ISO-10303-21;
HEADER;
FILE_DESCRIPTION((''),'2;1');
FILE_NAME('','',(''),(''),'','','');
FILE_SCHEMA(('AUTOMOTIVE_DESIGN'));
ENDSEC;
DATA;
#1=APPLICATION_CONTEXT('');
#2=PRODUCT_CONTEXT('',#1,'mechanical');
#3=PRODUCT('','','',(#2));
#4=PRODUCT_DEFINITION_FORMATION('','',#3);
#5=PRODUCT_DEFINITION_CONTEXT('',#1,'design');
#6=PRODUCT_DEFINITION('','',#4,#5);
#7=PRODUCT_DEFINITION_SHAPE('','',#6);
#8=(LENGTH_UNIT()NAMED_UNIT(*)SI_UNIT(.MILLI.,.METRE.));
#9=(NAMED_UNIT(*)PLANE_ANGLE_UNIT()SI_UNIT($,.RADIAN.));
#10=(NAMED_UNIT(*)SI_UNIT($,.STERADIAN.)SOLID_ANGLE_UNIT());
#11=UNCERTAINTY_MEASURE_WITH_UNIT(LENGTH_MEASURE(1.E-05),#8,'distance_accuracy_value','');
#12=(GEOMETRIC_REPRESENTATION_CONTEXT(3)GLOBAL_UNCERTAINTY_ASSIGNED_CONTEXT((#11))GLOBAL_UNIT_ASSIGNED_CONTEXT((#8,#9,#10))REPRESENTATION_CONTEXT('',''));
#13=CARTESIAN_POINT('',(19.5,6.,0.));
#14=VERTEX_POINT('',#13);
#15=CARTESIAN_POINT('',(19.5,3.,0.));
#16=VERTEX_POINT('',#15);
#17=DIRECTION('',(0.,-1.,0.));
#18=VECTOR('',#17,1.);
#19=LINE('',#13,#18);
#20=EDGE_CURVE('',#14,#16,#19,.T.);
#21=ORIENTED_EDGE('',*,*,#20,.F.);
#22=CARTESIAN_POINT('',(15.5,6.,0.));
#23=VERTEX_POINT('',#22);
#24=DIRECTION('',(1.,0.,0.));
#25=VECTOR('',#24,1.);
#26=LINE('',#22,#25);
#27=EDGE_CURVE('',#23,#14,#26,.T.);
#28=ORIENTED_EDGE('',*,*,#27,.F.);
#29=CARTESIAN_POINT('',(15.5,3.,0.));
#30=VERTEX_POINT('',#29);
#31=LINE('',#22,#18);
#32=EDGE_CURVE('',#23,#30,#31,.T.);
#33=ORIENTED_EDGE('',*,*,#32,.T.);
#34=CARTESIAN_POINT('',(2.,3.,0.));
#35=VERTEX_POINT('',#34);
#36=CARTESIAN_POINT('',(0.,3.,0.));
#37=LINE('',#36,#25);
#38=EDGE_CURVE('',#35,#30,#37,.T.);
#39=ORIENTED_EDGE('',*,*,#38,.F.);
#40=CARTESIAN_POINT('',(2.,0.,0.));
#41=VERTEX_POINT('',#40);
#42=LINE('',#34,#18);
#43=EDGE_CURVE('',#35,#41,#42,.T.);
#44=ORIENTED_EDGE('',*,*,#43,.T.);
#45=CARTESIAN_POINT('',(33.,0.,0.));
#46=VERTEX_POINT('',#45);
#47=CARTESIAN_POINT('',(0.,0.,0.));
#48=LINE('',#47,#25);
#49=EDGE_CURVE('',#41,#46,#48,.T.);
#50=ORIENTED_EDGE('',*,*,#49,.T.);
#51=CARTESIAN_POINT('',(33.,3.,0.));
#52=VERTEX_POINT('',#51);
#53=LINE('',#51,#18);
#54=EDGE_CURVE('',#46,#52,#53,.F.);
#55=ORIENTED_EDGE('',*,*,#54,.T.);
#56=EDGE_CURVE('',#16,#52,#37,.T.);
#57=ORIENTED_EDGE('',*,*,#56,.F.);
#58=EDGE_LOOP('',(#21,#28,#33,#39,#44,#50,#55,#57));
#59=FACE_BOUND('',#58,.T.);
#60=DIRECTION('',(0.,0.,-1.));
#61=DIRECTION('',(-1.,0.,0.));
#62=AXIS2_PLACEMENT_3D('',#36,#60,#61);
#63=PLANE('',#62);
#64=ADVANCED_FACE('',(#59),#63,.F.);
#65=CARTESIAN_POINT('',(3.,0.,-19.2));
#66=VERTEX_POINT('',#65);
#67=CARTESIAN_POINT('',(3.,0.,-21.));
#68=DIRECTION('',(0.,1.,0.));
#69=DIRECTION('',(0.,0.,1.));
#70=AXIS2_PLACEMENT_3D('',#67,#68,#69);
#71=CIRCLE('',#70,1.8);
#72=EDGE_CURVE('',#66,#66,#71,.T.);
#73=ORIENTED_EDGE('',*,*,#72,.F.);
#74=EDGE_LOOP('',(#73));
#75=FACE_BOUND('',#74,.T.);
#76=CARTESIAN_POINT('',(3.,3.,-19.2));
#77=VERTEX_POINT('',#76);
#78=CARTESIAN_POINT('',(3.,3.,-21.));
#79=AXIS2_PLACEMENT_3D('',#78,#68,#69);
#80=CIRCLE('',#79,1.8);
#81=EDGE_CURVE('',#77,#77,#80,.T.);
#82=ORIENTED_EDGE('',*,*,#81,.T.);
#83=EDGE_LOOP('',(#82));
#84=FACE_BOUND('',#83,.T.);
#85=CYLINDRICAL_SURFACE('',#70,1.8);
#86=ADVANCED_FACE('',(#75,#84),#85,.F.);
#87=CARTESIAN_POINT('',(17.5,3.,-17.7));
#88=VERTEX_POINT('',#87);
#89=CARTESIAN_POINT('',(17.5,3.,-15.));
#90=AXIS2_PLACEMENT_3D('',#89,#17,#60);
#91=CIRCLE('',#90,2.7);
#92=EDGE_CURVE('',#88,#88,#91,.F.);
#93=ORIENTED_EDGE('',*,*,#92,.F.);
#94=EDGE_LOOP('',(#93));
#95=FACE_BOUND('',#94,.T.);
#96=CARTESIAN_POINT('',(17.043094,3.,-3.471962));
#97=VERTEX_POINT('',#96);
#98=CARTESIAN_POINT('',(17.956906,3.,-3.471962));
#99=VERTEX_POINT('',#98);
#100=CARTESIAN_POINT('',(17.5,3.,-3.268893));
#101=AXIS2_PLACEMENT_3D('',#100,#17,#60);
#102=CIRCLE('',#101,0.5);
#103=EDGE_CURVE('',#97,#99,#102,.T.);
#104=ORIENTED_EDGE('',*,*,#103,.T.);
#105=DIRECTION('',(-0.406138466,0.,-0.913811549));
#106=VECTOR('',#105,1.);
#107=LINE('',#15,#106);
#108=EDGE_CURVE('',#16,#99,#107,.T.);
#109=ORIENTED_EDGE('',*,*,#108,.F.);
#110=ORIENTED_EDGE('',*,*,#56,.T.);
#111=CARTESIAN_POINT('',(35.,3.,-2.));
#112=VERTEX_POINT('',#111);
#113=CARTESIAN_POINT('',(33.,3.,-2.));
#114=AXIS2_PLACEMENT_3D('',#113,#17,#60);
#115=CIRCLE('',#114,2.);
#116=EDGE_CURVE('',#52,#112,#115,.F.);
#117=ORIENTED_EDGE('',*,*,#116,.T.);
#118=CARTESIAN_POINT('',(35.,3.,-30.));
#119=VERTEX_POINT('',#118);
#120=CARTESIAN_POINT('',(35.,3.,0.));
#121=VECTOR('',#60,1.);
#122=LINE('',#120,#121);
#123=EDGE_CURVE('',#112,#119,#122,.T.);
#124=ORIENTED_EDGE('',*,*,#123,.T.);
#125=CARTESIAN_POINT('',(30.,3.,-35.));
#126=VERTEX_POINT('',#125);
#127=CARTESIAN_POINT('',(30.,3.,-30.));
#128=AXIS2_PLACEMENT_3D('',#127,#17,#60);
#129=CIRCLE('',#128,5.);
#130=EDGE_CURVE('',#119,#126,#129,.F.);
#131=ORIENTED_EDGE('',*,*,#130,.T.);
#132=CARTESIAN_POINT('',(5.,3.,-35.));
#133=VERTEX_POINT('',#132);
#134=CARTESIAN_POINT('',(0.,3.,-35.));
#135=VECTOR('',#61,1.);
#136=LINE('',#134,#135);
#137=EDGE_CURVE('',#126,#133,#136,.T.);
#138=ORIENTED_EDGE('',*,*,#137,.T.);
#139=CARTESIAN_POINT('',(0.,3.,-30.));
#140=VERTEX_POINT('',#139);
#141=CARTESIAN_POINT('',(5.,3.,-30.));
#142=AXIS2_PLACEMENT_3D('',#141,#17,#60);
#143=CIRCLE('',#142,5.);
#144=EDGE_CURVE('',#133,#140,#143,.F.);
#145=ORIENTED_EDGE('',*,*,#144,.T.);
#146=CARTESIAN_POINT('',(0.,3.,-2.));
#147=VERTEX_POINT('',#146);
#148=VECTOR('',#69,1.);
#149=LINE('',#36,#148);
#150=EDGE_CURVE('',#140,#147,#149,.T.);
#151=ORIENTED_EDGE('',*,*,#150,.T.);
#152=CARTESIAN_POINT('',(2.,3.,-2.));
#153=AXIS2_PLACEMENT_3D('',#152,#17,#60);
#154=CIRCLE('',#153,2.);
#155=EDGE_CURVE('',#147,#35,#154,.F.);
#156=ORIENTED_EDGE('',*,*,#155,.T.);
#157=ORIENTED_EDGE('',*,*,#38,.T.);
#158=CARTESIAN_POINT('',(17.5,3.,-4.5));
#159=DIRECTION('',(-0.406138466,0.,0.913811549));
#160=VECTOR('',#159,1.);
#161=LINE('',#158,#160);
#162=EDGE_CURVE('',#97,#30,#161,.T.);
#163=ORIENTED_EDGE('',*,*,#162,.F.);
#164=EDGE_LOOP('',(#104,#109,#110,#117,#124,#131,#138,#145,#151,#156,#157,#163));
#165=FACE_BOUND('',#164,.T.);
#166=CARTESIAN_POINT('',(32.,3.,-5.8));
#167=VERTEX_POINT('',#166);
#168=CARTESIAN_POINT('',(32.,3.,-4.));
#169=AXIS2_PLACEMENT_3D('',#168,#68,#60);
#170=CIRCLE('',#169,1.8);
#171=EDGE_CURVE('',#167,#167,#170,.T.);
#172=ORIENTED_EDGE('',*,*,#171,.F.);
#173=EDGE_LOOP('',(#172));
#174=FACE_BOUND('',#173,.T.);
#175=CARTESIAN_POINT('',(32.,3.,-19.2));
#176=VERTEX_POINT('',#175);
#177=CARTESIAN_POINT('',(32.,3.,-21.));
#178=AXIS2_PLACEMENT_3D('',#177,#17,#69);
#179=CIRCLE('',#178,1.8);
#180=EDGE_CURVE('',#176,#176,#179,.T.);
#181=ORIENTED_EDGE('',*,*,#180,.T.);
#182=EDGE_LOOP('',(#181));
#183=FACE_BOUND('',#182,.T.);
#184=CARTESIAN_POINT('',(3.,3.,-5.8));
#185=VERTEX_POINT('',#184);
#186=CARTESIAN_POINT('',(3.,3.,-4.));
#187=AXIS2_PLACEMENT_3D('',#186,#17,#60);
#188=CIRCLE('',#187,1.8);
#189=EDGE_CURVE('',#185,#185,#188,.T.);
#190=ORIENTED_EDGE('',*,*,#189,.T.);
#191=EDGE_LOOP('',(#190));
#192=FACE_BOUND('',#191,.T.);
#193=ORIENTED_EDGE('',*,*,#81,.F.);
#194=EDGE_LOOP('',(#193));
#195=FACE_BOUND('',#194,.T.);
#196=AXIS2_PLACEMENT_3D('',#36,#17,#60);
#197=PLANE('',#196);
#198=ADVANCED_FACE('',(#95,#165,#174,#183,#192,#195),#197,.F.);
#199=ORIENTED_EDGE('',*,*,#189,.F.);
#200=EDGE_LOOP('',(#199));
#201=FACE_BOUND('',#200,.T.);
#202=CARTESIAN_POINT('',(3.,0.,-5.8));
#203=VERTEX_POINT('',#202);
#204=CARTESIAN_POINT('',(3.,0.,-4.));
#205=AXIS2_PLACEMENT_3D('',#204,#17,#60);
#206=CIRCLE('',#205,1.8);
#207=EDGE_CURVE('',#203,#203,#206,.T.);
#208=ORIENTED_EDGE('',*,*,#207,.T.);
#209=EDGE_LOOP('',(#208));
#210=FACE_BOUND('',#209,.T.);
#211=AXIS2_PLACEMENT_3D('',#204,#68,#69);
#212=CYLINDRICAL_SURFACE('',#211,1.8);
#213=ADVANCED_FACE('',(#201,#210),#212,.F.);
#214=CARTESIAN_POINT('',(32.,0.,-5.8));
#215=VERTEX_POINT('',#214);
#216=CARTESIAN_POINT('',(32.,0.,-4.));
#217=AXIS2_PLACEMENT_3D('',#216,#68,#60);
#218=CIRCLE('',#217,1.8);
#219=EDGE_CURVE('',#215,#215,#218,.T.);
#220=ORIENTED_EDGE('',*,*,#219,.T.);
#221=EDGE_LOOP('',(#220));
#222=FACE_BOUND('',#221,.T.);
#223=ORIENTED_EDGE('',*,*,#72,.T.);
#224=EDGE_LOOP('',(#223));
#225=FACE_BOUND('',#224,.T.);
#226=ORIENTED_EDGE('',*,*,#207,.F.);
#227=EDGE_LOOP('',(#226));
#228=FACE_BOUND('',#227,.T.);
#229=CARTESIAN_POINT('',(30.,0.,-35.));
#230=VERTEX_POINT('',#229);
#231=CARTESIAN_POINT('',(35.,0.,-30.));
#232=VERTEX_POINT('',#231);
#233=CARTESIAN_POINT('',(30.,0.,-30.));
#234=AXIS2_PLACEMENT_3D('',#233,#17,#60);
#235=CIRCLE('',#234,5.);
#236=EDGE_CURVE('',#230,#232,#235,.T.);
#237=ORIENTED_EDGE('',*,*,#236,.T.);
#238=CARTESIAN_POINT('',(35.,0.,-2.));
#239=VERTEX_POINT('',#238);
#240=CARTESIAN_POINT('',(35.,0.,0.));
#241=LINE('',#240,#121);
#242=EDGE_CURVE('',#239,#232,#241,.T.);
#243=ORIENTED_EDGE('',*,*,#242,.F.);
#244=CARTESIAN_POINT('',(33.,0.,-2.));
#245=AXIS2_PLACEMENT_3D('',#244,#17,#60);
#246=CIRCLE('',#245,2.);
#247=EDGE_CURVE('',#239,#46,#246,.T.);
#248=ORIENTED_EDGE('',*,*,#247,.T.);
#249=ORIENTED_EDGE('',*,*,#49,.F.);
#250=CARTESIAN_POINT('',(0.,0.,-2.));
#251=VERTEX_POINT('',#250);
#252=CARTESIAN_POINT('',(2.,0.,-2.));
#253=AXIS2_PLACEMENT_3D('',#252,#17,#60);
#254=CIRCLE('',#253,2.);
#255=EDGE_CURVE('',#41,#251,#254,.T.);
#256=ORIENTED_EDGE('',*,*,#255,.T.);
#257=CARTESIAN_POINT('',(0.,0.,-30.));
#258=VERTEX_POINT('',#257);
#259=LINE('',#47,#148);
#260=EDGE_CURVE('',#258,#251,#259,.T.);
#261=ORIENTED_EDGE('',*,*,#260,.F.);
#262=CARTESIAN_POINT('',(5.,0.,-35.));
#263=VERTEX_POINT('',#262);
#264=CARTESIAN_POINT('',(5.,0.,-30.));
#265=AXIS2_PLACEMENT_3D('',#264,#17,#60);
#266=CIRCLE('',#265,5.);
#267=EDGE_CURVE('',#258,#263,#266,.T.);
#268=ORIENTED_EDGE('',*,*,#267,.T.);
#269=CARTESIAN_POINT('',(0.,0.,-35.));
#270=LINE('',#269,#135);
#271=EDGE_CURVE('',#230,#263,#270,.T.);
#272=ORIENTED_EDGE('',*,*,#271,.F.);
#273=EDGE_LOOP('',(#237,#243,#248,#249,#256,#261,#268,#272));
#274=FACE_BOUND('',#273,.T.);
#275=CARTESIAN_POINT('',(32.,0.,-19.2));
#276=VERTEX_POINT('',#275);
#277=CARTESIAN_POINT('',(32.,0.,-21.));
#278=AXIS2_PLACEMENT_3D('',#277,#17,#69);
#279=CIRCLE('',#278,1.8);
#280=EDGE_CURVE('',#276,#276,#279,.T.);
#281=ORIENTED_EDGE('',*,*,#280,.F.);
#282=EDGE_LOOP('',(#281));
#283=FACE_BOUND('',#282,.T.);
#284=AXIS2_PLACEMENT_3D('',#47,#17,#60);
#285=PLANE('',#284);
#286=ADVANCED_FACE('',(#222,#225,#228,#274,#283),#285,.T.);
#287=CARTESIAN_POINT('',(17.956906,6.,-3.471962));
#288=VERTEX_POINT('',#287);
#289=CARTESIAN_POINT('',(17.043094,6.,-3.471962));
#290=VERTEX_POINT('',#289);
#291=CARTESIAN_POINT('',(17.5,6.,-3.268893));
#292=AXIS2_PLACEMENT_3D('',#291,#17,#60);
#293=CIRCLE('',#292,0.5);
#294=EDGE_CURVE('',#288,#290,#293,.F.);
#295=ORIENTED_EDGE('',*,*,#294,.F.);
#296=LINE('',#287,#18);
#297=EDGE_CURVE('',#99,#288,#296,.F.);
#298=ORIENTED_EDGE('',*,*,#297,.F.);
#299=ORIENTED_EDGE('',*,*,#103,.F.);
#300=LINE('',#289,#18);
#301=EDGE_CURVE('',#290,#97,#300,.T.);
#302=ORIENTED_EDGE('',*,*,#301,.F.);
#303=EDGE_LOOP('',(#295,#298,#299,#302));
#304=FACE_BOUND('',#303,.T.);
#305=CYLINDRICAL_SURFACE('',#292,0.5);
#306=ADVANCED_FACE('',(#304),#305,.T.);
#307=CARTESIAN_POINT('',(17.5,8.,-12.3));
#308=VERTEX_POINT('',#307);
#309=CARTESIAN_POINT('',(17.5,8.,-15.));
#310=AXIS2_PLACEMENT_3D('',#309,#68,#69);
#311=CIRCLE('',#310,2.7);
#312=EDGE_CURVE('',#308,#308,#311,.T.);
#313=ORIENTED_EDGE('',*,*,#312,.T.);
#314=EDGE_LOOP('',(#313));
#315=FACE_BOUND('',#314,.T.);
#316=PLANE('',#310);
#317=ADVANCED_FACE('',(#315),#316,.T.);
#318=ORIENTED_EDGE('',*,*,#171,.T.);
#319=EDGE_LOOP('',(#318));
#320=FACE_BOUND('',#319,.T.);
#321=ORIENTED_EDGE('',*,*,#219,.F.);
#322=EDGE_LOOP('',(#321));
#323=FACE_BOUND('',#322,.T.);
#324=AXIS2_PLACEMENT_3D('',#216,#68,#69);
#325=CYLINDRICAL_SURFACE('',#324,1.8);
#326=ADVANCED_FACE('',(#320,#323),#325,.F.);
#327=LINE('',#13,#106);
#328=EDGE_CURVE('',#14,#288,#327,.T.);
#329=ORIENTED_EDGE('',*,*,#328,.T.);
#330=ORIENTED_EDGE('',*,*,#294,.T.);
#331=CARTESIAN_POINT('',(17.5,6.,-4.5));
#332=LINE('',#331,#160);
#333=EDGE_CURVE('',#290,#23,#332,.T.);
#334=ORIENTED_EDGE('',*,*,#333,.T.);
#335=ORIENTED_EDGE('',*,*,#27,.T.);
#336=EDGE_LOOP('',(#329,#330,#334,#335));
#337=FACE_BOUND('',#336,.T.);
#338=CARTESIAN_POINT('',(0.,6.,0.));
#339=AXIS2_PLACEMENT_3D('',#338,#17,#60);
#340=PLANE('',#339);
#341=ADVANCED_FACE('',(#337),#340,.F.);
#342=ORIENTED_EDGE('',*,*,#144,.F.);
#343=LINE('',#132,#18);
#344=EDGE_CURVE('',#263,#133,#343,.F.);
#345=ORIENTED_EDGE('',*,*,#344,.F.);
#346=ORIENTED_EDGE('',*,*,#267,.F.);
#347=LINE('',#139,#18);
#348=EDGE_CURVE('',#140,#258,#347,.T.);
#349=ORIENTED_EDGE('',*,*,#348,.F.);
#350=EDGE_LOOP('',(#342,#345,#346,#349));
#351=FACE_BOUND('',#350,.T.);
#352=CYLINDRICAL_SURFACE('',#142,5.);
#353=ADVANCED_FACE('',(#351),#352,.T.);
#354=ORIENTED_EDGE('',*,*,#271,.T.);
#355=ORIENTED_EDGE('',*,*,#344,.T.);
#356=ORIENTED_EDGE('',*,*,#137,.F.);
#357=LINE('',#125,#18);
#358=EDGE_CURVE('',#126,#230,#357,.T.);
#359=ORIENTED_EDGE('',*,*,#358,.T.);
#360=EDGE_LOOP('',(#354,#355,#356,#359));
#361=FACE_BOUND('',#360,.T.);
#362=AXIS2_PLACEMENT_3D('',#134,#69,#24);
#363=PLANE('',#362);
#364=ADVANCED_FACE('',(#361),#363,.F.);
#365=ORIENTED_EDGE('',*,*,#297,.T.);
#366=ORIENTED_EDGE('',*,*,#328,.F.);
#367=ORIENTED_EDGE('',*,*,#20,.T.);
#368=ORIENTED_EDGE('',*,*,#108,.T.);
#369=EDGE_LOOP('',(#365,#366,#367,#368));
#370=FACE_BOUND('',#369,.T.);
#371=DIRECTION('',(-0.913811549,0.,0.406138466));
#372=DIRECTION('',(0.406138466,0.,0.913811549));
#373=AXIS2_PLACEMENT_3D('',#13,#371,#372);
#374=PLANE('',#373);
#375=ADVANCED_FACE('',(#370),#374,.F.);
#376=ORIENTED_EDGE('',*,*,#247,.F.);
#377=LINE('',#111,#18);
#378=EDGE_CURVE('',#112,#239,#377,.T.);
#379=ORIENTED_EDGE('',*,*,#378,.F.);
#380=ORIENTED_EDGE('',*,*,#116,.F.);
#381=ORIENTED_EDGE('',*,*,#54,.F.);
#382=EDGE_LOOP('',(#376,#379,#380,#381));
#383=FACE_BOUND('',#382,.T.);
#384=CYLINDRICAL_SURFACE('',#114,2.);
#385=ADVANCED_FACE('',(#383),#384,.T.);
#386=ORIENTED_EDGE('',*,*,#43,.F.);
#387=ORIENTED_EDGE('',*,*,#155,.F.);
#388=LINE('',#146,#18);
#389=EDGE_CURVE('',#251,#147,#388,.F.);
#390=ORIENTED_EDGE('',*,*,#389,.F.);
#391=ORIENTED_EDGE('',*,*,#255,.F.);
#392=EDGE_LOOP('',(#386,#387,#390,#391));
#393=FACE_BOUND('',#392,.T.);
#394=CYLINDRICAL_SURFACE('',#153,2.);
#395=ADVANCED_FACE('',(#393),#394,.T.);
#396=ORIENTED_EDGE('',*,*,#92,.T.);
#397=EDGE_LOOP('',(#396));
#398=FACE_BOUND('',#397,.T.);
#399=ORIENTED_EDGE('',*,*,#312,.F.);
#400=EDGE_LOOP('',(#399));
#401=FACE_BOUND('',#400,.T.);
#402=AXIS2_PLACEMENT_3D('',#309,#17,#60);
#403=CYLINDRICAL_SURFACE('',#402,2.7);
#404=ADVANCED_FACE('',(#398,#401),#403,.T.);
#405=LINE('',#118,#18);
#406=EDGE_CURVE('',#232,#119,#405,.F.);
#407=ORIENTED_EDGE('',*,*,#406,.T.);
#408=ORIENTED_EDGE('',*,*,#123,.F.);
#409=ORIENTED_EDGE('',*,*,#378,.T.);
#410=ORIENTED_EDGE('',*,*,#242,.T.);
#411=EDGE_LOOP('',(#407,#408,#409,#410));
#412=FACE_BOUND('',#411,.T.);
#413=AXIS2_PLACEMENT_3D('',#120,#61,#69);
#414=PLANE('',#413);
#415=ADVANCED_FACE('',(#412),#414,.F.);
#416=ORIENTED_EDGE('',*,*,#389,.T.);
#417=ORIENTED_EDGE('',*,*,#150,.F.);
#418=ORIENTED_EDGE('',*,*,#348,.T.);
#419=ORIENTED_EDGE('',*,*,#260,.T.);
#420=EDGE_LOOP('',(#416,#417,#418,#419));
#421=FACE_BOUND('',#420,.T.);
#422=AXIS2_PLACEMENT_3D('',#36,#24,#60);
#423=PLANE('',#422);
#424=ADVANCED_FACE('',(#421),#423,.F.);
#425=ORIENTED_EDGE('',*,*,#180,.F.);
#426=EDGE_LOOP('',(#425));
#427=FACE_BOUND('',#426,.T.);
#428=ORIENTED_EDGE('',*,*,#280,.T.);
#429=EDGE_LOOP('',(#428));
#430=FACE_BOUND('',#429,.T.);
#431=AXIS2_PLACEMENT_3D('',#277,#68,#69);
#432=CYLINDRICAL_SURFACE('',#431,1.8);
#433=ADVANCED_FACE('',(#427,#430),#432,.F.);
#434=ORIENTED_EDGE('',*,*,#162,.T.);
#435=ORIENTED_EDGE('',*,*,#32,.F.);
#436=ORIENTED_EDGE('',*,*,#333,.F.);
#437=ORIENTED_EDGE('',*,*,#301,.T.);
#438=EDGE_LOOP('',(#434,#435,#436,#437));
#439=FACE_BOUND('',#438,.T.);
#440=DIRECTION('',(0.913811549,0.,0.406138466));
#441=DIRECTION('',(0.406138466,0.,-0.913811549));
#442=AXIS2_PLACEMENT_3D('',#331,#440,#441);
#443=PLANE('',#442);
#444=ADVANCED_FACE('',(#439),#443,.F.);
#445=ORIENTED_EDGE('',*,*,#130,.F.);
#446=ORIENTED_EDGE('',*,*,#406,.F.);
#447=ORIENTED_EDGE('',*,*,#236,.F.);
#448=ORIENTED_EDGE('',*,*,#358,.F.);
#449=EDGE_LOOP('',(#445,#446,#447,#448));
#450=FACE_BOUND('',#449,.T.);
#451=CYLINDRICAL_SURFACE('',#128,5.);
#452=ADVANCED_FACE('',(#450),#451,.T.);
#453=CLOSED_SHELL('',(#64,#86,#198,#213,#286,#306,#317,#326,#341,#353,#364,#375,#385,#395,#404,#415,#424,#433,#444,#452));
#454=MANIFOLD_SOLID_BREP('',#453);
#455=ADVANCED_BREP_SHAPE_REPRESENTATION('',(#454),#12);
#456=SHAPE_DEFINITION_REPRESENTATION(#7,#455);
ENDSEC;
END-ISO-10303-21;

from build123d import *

# Parameters (mm, degrees)
SKETCH1_W               = 35
SKETCH1_H               = 35
BOSS_EXTRUDE1_DEPTH     = 3
SKETCH3_R               = 1.8
CUT_EXTRUDE2_DEPTH      = 3
MIRROR2_COPY_1_SKETCH_R = 1.8
MIRROR2_COPY_1_DEPTH    = 3
SKETCH2_R               = 2.7
BOSS_EXTRUDE2_DEPTH     = 5
BOSS_EXTRUDE3_DEPTH     = 3
FILLET2_R               = 0.5
FILLET3_R               = 2
FILLET4_R               = 5


with BuildPart() as part:
    # Sketch1 → Boss-Extrude1 (new body)
    with BuildSketch(Plane(origin=(0, 0, 0), x_dir=(1, 0, 0), z_dir=(0, 1, 0))):
        with Locations((17.5, 17.5)):
            Rectangle(SKETCH1_W, SKETCH1_H)
    extrude(amount=BOSS_EXTRUDE1_DEPTH)

    # Sketch3 → Cut-Extrude2 (cut)
    with BuildSketch(Plane(origin=(0, 3, 0), x_dir=(1, 0, 0), z_dir=(0, 1, 0))):
        with Locations(Location((3, 21, 0), (0, 0, 270))):
            Circle(SKETCH3_R)
    cut_extrude2 = extrude(amount=-CUT_EXTRUDE2_DEPTH, mode=Mode.SUBTRACT)

    # Mirror1: Cut-Extrude2 across plane
    add(cut_extrude2.mirror(Plane.XY.offset(-12.5)), mode=Mode.SUBTRACT)

    # Mirror2: Cut-Extrude2 across plane
    add(cut_extrude2.mirror(Plane(origin=(17.5, 0, 0), x_dir=(0, 0, 1), z_dir=(1, 0, 0))), mode=Mode.SUBTRACT)

    # Mirror2 copy 1 sketch → Mirror2 copy 1 (cut)
    with BuildSketch(Plane(origin=(35, 3, -25), x_dir=(-1, 0, 0), z_dir=(0, 1, 0))):
        with Locations(Location((3, 21, 0), (0, 0, 270))):
            Circle(MIRROR2_COPY_1_SKETCH_R)
    extrude(amount=-MIRROR2_COPY_1_DEPTH, mode=Mode.SUBTRACT)

    # Sketch2 → Boss-Extrude2 (add)
    with BuildSketch(Plane(origin=(0, 3, 0), x_dir=(1, 0, 0), z_dir=(0, 1, 0))):
        with Locations(Location((17.5, 15, 0), (0, 0, 90))):
            Circle(SKETCH2_R)
    extrude(amount=BOSS_EXTRUDE2_DEPTH)

    # Sketch5 → Boss-Extrude3 (add)
    with BuildSketch(Plane(origin=(0, 3, 0), x_dir=(1, 0, 0), z_dir=(0, 1, 0))):
        Polygon((17.5, 4.5), (15.5, 0), (19.5, 0), align=None)
    extrude(amount=BOSS_EXTRUDE3_DEPTH)

    # Fillet2
    fillet2_edges = [part.edges().sort_by_distance(p)[0] for p in [
        (17.5, 4.5, -4.5),
    ]]
    fillet(fillet2_edges, radius=FILLET2_R)

    # Fillet3
    fillet3_edges = [part.edges().sort_by_distance(p)[0] for p in [
        (35, 1.5, 0),
        (0, 1.5, 0),
    ]]
    fillet(fillet3_edges, radius=FILLET3_R)

    # Fillet4
    fillet4_edges = [part.edges().sort_by_distance(p)[0] for p in [
        (0, 1.5, -35),
        (35, 1.5, -35),
    ]]
    fillet(fillet4_edges, radius=FILLET4_R)


solid = part.part
